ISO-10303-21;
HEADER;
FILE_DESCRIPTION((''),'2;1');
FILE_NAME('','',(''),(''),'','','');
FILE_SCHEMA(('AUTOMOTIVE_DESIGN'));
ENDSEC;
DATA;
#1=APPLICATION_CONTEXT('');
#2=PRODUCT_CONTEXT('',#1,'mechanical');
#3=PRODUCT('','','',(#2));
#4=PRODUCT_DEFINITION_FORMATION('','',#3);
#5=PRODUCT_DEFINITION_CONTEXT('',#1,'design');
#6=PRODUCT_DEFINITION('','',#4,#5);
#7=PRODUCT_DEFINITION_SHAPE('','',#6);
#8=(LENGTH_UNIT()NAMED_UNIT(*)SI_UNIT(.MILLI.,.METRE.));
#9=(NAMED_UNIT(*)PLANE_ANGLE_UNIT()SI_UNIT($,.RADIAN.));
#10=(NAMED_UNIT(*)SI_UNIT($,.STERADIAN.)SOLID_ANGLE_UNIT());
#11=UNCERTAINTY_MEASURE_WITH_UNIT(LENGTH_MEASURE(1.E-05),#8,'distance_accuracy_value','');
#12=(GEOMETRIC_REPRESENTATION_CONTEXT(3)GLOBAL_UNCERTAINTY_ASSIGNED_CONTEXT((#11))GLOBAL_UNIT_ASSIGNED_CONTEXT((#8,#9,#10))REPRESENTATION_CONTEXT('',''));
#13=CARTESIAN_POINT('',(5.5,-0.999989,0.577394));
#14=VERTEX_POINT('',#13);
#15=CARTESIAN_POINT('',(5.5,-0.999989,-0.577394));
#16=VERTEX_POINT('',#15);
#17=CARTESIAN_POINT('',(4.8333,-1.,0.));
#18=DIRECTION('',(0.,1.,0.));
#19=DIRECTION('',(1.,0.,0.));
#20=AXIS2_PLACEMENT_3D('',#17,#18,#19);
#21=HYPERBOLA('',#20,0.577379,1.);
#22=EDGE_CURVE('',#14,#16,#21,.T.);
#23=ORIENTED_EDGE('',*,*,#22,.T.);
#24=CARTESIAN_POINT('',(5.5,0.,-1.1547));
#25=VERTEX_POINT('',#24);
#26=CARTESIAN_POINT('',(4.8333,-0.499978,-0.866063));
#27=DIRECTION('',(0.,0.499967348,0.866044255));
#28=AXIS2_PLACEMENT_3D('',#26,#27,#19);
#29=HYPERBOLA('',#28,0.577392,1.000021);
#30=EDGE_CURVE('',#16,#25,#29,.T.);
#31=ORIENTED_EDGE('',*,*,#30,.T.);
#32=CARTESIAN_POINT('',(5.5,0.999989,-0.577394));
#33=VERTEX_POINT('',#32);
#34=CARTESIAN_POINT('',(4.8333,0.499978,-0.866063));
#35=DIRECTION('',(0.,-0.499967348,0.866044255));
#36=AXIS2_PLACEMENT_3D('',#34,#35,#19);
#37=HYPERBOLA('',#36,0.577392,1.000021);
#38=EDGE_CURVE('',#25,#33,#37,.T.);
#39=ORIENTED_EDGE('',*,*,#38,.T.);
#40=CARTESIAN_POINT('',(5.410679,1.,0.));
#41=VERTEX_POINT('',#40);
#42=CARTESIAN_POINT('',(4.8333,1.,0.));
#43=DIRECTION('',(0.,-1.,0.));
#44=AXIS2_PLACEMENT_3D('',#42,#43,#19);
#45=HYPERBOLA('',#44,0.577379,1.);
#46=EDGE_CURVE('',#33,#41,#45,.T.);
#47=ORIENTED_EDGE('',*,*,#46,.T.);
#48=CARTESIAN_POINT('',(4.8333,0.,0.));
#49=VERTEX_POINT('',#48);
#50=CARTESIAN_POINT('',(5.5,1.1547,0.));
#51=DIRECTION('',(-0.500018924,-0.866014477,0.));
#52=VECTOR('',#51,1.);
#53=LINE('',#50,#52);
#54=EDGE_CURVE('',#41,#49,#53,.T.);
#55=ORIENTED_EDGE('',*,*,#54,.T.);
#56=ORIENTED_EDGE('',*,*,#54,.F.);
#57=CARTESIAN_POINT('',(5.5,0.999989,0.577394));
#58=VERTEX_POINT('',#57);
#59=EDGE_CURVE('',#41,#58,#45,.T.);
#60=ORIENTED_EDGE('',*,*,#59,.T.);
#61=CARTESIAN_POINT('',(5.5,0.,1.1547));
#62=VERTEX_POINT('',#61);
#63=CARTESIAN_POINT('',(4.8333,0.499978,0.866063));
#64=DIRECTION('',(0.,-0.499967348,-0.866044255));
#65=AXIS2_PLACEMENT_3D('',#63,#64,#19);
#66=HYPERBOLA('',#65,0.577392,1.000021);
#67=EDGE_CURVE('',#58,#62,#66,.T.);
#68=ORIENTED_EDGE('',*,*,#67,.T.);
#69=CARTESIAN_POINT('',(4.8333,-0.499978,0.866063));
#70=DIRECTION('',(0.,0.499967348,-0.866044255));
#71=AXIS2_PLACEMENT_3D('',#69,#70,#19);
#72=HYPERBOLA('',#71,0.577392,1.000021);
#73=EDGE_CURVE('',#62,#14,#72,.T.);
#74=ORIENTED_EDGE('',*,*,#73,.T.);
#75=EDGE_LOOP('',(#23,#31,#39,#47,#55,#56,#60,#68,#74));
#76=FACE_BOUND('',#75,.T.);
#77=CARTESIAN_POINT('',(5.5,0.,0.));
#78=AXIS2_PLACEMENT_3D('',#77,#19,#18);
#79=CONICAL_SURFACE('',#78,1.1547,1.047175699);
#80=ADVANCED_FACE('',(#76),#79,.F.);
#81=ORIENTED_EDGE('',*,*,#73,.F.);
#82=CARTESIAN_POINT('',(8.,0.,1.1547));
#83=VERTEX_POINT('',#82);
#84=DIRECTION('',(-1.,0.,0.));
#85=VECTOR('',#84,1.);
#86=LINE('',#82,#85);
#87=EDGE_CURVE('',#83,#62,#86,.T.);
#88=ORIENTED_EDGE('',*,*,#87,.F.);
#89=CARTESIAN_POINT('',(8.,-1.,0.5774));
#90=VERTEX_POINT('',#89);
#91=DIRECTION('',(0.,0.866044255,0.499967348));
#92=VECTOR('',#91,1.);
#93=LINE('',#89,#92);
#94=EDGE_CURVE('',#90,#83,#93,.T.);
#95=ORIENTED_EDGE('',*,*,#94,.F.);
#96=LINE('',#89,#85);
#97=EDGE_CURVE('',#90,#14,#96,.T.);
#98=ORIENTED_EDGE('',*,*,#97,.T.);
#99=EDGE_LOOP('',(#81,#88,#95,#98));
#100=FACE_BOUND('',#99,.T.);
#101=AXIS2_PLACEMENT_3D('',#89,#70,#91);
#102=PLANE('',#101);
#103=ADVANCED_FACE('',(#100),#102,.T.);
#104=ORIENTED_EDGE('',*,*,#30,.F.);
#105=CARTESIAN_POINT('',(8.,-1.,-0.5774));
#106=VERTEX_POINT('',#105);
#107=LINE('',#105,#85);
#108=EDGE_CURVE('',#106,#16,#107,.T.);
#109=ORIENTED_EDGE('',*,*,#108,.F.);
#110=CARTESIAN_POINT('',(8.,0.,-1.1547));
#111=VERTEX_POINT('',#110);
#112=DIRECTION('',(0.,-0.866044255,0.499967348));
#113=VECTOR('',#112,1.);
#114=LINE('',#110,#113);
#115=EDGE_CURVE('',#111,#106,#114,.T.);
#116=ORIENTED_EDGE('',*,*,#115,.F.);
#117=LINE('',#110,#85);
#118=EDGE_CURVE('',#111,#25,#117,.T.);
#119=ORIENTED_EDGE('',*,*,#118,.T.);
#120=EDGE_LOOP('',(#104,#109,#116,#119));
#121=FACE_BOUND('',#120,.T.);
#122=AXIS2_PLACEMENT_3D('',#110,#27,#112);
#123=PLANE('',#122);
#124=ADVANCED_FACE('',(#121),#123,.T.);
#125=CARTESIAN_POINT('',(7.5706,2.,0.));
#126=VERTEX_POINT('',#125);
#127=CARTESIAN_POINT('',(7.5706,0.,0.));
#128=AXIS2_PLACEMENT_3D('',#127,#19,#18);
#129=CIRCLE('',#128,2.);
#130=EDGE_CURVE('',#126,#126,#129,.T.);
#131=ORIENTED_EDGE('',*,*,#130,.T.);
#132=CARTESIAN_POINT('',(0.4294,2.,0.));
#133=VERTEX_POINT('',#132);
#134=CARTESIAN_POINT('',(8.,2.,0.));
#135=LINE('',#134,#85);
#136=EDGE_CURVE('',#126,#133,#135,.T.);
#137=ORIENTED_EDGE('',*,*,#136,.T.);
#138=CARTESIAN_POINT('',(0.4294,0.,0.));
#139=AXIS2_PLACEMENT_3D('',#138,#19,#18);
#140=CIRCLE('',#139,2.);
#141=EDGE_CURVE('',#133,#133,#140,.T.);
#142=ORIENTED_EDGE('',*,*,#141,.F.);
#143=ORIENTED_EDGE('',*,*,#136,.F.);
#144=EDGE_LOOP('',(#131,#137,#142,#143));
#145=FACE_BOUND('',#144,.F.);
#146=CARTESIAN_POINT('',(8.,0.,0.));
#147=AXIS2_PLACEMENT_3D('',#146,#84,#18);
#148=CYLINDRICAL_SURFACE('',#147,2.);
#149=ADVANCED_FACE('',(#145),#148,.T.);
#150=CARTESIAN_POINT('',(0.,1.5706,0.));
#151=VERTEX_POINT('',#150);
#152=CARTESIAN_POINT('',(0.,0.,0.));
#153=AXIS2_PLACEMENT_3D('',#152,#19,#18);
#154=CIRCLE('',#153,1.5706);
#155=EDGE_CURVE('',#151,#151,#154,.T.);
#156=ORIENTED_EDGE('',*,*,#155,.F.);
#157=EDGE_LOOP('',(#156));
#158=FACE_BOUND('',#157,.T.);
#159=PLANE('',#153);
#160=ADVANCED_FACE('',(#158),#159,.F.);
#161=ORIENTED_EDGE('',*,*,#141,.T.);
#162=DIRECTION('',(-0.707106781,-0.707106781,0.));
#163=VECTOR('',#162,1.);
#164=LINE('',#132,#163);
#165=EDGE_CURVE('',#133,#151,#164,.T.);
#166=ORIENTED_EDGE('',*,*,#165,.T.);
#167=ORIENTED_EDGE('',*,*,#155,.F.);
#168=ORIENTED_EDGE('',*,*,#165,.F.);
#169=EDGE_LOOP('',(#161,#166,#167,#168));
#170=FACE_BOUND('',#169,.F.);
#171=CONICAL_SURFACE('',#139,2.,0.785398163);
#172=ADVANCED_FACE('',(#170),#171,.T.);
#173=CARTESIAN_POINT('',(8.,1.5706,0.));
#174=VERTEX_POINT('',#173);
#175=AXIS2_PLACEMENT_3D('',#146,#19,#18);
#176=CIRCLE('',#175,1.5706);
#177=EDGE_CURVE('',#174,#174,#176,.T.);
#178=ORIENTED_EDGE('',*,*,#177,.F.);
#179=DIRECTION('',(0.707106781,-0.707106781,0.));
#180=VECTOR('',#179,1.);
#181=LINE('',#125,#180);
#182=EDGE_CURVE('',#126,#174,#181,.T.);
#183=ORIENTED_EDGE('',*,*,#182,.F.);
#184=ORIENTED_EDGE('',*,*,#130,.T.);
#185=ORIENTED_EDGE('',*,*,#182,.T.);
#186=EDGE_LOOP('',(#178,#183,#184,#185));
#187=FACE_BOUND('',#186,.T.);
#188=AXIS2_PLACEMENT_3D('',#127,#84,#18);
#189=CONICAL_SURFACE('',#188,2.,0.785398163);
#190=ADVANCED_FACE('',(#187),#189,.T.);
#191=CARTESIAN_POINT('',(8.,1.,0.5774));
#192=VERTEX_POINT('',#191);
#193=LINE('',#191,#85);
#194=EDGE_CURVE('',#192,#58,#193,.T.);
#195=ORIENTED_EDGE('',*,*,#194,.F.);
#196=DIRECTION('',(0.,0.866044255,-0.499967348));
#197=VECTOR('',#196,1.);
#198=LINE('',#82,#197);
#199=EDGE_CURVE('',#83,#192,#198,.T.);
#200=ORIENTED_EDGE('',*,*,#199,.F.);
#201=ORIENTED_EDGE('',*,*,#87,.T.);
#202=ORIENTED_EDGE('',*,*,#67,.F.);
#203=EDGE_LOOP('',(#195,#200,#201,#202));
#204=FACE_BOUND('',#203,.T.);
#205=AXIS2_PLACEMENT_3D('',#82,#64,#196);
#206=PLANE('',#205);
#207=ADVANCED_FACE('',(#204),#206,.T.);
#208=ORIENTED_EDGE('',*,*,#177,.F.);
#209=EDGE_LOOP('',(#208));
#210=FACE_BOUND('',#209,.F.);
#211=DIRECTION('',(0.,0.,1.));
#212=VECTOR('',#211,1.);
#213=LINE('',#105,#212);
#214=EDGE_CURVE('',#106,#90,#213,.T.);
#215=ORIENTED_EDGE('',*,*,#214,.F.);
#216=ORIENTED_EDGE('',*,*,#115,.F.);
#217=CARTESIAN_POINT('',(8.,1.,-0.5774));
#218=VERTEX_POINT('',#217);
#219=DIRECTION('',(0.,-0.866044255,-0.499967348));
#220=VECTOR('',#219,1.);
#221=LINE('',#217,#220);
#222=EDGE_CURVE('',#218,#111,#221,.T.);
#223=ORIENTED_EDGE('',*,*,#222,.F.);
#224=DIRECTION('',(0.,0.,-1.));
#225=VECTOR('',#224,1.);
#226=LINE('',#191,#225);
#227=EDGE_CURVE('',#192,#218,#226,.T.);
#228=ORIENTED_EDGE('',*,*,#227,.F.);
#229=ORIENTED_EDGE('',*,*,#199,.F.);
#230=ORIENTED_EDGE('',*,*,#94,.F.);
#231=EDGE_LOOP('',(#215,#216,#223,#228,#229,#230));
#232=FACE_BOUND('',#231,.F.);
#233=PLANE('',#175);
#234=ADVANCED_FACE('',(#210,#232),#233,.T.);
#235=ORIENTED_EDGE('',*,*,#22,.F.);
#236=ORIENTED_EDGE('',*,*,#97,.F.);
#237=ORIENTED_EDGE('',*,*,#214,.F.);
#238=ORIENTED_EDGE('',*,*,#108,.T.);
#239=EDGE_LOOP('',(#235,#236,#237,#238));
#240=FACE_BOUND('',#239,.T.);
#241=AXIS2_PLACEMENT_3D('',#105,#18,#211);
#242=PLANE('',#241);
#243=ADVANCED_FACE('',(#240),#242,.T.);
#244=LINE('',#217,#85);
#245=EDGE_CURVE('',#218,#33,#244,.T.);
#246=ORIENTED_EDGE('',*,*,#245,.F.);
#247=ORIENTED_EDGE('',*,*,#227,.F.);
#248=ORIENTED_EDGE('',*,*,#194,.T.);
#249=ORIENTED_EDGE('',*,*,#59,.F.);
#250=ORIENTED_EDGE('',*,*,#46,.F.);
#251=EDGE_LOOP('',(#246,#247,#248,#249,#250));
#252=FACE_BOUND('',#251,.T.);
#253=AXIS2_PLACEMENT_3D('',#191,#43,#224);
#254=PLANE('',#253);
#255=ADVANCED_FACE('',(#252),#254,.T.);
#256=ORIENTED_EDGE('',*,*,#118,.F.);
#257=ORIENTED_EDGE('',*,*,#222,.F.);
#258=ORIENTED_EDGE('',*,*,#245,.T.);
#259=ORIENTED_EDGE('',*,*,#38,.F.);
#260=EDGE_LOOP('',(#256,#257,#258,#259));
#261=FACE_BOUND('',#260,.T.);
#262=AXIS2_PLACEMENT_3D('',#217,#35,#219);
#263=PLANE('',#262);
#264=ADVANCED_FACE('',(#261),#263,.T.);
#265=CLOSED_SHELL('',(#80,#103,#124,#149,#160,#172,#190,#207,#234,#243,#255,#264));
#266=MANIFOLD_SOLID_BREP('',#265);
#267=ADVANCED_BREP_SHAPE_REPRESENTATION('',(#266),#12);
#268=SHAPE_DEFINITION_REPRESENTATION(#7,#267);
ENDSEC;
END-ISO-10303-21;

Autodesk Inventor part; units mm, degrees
ref_plane "YZ Plane" through (0, 0, 0) normal (1, 0, 0) x (0, 1, 0)
ref_plane "XZ Plane" through (0, 0, 0) normal (0, 1, 0) x (-1, 0, 0)
sketch "Sketch1" plane through (0, 0, 0) normal (0, 0, 1) x (1, 0, 0)
  line L0 (0, 0) -> (4.8333, 0)
  line L1 (8, 1.1547) -> (8, 2)
  line L2 (8, 2) -> (0, 2)
  line L3 (8, 1.1547) -> (5.5, 1.1547)
  line L4 (5.5, 1.1547) -> (4.8333, 0)
  line L5 (0, -0.4) -> (0, 2.4) projected
  line L6 (0, 2) -> (0, 0)
  dimension "d0" = 2.5
  dimension "d1" = 60
  dimension "d2" = 4
  dimension "d3" = 2.3094
  dimension "d5" = 8
revolve "Body" add sketch "Sketch1" angle 360 about axis through (0, 0, 0) along (1, 0, 0)
chamfer "Chamfer1" distance 0.4294 angle 45 1 edges at (8, -2, 0) measured on face at (8, 1.6877, -0.2517)
sketch "Sketch2" plane through (8, 0, 0) normal (1, 0, 0) x (0, 0, -1)
  circle A0 centre (0, 0) radius 1.1547 projected
  line L0 (-0.5774, 1) -> (0.5774, 1)
  line L1 (0.5774, 1) -> (1.1547, 0)
  line L2 (1.1547, 0) -> (0.5774, -1)
  line L3 (0.5774, -1) -> (-0.5774, -1)
  line L4 (-0.5774, -1) -> (-1.1547, 0)
  line L5 (-1.1547, 0) -> (-0.5774, 1)
extrude "Slot" add sketch "Sketch2" against normal up to next contours L1 A0 | A0 L2 | L0 A0 | A0 L3 | L5 A0 | A0 L4
thread "Thread" size "M4x0.7" class "6g" standard "ISO Metric profile" length 8
chamfer "Chamfer2" distance 0.4294 angle 45 1 edges at (0, -2, 0) measured on face at (2.5235, 1.9935, -0.1609)
ref_plane "Work Plane1" through (4, 0, 0) normal (0, 0.5, 0.866) x (1, 0, 0)
equation "\"d0\" = INTI"
equation "\"d2\" = NND"
equation "\"d3\" = 1.1547 * SW"
equation "\"d5\" = NLG"
equation "\"d7\" = -0.5 * GD1 + 0.5 * NND"
equation "\"d8\" = FAWI"
equation "\"d29\" = -0.5 * GD1 + 0.5 * NND"
equation "\"d11\" = NLG"
equation "\"d13\" = -0.5 * GD1 + 0.5 * NND"
equation "\"d14\" = FAWI"
equation "\"d30\" = -0.5 * GD1 + 0.5 * NND"
equation "\"NND\" = 4"
equation "\"NLG\" = 8"
equation "\"INTI\" = 2.5"
equation "\"FAWI\" = 45deg"
equation "\"SW\" = 2"
equation "\"GD1\" = THREADDIA - 1.2269 * PTC"
equation "\"FAWI1\" = 45deg"
equation "\"GUL\" = 0.61345 * PTC"
equation "\"SPD\" = 2.5"
equation "\"SEWI\" = 90deg"
equation "\"TOA\" = 30deg"
equation "\"THREADDIA\" = 4"
equation "\"PTC\" = 0.7"
equation "\"GAL\" = 0.61345 * PTC"
equation "\"E0\" = 1.155 * SW"
properties part number "ISO 4026 - M4 x 8(1)" material "Stainless Steel, 440C"
